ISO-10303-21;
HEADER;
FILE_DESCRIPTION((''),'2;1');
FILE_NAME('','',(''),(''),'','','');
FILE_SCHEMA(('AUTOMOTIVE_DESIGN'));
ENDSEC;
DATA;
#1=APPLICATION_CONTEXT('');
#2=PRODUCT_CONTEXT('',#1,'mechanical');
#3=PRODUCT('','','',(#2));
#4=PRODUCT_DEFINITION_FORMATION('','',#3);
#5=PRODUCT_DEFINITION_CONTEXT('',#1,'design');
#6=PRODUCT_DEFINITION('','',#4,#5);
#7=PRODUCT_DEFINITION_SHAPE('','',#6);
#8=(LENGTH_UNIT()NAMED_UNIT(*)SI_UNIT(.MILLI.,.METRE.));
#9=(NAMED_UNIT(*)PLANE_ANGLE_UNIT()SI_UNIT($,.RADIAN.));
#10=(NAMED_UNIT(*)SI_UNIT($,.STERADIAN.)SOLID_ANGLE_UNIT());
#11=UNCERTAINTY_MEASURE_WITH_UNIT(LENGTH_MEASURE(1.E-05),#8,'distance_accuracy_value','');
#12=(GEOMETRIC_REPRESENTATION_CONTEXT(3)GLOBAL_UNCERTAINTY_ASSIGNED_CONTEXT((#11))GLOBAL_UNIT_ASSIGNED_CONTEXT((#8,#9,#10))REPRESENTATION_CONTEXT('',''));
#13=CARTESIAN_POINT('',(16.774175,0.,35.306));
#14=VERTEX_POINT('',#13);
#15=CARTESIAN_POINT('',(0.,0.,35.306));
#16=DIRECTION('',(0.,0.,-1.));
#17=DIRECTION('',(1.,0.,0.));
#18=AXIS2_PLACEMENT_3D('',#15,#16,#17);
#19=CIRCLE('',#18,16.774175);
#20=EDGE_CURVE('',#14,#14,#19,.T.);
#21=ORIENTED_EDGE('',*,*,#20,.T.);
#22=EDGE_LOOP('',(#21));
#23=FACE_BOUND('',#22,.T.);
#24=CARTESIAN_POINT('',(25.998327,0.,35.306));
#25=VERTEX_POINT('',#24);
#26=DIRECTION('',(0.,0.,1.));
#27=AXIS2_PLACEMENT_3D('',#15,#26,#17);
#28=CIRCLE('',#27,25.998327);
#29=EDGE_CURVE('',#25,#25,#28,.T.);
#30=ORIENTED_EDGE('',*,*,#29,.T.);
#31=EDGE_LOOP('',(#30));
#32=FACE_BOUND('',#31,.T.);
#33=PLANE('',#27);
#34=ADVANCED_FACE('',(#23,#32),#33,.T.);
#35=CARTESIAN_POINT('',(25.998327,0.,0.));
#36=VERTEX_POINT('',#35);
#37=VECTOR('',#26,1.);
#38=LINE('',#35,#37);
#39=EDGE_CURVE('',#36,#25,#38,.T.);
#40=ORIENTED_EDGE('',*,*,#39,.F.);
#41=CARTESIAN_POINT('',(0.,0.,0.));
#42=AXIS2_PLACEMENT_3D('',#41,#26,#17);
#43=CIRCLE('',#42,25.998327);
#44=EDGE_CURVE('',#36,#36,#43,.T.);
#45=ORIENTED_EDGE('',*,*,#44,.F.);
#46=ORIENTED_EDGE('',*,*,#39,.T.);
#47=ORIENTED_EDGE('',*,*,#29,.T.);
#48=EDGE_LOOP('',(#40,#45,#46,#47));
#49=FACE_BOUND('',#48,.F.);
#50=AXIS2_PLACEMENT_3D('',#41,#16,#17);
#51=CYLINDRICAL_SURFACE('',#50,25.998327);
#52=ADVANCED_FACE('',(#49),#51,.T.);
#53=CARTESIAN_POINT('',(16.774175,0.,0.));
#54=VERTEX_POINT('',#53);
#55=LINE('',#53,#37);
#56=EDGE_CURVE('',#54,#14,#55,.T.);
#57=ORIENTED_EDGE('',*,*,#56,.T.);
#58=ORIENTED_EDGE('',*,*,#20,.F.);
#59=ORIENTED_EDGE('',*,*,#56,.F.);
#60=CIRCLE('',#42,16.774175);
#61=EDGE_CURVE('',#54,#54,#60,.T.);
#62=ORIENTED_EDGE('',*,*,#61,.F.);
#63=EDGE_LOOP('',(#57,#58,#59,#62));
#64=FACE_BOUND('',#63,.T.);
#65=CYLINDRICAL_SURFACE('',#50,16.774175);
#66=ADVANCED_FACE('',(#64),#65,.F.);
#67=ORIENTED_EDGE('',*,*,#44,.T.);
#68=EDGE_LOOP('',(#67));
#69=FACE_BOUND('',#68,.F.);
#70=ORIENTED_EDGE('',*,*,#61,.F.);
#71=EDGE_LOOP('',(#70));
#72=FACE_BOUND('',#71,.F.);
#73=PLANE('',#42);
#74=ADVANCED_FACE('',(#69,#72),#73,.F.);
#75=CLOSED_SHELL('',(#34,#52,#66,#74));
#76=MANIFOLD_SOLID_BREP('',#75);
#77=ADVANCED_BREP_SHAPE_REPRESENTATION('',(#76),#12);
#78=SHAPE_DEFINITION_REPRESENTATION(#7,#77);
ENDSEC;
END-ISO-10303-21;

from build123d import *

# Parameters (mm, degrees)
F0_R      = 25.998327
F1_DEPTH  = 35.306
F2_R      = 16.774175
F1_FACE_R = 25.998327
F3_DEPTH  = 105.156


with BuildPart() as f1:
    # F0 (on Top) → F1 (new body)
    with BuildSketch(Plane.XY):
        Circle(F0_R)
    extrude(amount=F1_DEPTH)

    # F2 (on Top) + F1_face (on face) → F3 (cut)
    with BuildSketch(Plane.XY):
        Circle(F2_R)
    with BuildSketch(Plane.XY.offset(35.306)):
        Circle(F1_FACE_R)
    extrude(amount=F3_DEPTH, mode=Mode.SUBTRACT)


solid = f1.part
